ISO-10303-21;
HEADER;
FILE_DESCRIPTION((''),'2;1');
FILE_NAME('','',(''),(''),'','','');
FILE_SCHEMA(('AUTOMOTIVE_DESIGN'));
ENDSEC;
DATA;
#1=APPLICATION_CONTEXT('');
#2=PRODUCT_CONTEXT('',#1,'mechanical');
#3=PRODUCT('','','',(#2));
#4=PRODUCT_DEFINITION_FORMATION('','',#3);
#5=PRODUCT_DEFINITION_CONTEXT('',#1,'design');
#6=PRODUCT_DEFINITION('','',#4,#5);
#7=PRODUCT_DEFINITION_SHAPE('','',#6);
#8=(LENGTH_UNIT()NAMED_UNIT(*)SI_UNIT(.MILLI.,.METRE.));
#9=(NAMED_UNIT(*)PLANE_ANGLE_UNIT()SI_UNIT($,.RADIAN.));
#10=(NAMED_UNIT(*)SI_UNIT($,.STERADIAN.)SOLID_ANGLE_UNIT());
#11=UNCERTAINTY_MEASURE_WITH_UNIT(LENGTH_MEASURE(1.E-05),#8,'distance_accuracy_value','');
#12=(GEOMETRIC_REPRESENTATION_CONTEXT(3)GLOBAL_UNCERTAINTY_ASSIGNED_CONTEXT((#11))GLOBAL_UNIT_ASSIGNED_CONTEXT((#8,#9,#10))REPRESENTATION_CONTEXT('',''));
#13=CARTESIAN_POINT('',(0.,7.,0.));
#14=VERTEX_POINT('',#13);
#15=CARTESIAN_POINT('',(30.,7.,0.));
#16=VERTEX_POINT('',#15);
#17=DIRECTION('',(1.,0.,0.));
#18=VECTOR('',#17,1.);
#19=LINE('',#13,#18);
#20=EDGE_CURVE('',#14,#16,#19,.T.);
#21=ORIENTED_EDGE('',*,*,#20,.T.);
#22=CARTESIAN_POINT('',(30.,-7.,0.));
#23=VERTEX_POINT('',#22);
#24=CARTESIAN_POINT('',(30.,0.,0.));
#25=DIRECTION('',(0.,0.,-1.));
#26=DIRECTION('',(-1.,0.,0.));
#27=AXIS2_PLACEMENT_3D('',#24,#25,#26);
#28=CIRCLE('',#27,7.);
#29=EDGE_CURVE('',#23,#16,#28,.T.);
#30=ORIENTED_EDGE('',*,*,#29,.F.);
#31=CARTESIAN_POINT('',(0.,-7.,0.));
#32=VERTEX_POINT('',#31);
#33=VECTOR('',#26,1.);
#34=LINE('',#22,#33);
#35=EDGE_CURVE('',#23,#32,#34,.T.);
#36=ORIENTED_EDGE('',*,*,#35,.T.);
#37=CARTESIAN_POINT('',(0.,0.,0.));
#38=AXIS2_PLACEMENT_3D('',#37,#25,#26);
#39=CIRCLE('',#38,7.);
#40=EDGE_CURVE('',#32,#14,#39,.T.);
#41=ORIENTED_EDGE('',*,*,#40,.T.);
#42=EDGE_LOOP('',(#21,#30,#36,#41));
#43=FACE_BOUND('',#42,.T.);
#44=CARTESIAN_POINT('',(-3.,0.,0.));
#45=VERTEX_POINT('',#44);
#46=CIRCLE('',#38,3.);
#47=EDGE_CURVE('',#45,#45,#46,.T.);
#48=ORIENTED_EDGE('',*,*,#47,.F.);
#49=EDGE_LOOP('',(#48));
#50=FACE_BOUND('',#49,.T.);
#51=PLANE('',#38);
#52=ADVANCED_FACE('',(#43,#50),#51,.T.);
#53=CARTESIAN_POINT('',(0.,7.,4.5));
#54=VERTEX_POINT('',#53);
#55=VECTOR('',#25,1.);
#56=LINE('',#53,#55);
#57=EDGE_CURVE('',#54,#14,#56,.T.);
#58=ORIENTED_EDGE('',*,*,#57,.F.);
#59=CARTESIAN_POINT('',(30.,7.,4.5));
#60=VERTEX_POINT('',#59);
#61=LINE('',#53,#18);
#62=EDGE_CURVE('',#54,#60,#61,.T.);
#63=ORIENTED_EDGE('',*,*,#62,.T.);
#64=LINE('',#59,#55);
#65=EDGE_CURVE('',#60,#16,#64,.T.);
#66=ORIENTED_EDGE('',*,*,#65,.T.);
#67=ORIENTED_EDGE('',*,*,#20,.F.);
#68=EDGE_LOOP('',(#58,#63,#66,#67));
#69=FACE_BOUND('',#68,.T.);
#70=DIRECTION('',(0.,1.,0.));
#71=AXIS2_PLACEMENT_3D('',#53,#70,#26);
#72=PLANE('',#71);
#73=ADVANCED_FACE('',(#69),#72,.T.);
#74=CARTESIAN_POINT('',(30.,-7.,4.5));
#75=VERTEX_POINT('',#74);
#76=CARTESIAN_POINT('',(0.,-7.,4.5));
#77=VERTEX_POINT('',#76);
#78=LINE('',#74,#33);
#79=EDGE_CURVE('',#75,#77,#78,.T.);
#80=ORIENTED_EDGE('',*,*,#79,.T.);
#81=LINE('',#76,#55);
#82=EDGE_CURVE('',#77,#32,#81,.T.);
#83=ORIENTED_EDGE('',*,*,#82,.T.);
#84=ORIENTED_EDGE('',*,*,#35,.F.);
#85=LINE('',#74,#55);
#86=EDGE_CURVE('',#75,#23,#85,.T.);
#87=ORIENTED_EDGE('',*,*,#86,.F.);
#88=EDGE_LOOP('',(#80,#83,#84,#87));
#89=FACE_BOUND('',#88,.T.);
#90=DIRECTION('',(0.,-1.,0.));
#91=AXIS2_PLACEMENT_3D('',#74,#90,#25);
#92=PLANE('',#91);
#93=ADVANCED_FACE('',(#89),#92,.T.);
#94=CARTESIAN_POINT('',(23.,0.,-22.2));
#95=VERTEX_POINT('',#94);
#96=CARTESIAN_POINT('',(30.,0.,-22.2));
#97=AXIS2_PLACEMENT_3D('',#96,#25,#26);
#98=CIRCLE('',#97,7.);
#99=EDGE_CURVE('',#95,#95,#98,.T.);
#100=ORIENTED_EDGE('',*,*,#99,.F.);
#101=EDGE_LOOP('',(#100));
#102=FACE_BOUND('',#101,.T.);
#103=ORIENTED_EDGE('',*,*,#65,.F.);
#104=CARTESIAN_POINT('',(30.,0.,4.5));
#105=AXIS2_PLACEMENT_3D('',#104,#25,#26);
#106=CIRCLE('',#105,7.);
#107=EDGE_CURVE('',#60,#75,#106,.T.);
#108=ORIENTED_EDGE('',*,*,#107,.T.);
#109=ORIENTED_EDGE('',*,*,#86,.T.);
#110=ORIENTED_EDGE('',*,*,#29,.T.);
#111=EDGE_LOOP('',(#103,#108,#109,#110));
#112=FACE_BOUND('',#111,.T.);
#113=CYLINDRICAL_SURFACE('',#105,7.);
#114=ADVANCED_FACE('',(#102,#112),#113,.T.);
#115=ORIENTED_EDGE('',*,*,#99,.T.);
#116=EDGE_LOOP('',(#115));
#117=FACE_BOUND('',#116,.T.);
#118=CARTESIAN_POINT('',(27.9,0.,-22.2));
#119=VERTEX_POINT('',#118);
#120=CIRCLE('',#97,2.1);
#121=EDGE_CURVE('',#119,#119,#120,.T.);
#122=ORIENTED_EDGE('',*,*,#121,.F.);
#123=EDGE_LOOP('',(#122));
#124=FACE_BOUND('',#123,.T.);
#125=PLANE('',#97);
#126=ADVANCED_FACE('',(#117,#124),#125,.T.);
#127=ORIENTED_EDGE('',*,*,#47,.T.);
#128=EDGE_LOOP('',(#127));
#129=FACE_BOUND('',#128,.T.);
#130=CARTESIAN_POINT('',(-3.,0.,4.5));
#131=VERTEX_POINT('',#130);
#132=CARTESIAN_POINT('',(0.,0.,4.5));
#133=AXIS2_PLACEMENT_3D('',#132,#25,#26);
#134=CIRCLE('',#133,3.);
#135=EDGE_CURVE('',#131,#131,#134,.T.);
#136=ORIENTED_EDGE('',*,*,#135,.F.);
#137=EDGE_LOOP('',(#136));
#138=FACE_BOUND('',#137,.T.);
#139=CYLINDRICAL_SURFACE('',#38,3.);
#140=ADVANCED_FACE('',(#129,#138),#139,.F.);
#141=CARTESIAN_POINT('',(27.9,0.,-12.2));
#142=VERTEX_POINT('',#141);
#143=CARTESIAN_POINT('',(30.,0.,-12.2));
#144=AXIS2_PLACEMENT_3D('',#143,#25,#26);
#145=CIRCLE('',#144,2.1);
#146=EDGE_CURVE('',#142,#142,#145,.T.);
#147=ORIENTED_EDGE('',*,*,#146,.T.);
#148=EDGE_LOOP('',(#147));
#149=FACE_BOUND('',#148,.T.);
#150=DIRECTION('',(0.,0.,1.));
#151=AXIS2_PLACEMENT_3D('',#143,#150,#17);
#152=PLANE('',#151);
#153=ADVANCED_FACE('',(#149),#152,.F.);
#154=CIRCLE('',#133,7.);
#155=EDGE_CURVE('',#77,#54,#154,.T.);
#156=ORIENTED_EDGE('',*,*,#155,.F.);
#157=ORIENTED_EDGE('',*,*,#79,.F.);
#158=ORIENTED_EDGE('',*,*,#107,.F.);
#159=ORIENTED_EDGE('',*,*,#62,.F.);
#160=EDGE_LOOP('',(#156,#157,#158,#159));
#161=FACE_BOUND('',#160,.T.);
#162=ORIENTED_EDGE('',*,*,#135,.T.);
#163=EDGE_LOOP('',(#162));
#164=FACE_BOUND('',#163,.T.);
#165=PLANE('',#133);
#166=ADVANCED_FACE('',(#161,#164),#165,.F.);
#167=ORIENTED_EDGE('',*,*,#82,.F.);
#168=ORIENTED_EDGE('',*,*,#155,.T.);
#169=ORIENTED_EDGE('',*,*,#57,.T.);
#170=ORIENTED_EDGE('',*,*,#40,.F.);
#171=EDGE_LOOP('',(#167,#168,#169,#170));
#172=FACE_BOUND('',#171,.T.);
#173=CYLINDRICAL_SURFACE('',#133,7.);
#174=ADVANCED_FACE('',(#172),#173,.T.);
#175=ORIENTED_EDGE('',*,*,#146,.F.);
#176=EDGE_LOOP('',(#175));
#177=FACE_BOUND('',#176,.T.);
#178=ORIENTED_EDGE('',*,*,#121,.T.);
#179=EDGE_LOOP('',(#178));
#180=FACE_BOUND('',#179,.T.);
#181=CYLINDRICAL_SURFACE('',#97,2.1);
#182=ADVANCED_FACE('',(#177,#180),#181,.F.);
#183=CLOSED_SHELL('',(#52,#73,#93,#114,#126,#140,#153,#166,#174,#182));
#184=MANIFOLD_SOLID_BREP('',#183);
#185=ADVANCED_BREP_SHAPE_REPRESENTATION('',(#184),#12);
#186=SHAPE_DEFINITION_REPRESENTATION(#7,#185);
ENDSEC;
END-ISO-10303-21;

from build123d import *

# Parameters (mm, degrees)
BOSS_EXTRU_1_DEPTH                  = 4.5
BOSS_EXTRU_2_START                  = 22.2
ESQUISSE2_R                         = 7
BOSS_EXTRU_2_DEPTH                  = 22.2
DIAM_TRE_DU_PER_AGE_4_2_4_2_1_D     = 4.2
DIAM_TRE_DU_PER_AGE_4_2_4_2_1_DEPTH = 10
DIAM_TRE_DU_PER_AGE_6_0_6_1_D       = 6


with BuildPart() as part:
    # Esquisse1 → Boss.-Extru.1 (new body)
    with BuildSketch(Plane(origin=(0, 0, 0), x_dir=(-1, 0, 0), z_dir=(0, 0, -1))):
        with BuildLine():
            Line((0, 7), (-30, 7))
            ThreePointArc((-30, 7), (-37, 0), (-30, -7))
            Line((-30, -7), (0, -7))
            ThreePointArc((0, -7), (7, 0), (0, 7))
        make_face()
    extrude(amount=-BOSS_EXTRU_1_DEPTH)

    # Esquisse2 → Boss.-Extru.2 (add)
    with BuildSketch(Plane(origin=(0, 0, 0), x_dir=(-1, 0, 0), z_dir=(0, 0, -1)).offset(BOSS_EXTRU_2_START)):
        with Locations((-30, 0)):
            Circle(ESQUISSE2_R)
    extrude(amount=-BOSS_EXTRU_2_DEPTH)

    # Diamètre du perçage Ø4.2 (4.2)1
    with Locations(Plane(origin=(0, 0, -22.2), x_dir=(-1, 0, 0), z_dir=(0, 0, -1))):
        with Locations((-30, 0)):
            Hole(DIAM_TRE_DU_PER_AGE_4_2_4_2_1_D / 2, depth=DIAM_TRE_DU_PER_AGE_4_2_4_2_1_DEPTH)

    # Diamètre du perçage Ø6.0 (6)1 (through all)
    with Locations(Plane(origin=(0, 0, 0), x_dir=(-1, 0, 0), z_dir=(0, 0, -1))):
        with Locations((0, 0)):
            Hole(DIAM_TRE_DU_PER_AGE_6_0_6_1_D / 2)


solid = part.part
